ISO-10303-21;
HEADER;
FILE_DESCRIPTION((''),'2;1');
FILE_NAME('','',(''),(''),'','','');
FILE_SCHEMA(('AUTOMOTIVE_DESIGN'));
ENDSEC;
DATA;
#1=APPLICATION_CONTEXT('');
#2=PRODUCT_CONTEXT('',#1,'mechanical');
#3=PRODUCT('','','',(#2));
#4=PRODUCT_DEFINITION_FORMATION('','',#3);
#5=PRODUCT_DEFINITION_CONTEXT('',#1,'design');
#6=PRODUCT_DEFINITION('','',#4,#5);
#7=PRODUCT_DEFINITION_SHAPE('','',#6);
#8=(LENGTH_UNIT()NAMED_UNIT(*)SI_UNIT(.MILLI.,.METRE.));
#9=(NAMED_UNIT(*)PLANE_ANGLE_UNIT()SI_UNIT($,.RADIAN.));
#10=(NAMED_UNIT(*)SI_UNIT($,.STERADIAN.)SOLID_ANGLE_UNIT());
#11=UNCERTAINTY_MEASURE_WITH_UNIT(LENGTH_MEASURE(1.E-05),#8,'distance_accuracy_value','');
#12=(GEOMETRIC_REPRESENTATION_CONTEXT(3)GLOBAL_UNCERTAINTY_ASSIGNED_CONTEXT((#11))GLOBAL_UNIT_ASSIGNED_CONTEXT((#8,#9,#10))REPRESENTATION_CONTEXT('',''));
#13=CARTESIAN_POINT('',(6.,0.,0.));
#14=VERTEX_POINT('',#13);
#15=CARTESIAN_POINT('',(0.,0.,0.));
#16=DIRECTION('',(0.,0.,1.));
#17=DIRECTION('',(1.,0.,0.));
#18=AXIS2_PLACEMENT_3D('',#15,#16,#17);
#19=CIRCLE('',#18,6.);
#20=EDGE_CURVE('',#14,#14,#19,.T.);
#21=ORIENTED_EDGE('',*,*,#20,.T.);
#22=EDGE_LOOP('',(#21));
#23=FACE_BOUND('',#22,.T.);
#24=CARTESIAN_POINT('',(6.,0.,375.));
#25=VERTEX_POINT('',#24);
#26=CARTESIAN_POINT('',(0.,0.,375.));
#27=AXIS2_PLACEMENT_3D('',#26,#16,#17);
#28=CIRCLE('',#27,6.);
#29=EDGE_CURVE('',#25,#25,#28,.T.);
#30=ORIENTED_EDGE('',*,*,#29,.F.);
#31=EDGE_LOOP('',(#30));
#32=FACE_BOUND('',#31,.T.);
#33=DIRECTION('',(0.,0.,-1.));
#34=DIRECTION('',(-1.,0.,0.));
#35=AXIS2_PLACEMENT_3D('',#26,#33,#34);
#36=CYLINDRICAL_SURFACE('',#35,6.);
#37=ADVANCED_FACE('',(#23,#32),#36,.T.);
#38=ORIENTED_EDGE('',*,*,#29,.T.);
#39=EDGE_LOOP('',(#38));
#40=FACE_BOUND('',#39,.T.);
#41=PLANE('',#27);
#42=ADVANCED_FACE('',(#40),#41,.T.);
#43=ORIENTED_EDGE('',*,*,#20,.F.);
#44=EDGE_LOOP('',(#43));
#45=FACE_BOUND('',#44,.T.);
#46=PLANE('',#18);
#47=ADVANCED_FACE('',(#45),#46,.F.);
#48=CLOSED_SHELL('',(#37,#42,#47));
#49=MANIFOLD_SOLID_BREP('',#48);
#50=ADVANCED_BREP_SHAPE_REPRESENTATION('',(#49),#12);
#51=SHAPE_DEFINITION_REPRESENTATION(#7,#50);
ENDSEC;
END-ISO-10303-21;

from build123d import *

# Parameters (mm, degrees)
SKETCH_1_R      = 6
EXTRUDE_1_DEPTH = 375


with BuildPart() as part:
    # 草图1 → 凸台-拉伸1 (new body)
    with BuildSketch(Plane.XY):
        Circle(SKETCH_1_R)
    extrude(amount=EXTRUDE_1_DEPTH)


solid = part.part
